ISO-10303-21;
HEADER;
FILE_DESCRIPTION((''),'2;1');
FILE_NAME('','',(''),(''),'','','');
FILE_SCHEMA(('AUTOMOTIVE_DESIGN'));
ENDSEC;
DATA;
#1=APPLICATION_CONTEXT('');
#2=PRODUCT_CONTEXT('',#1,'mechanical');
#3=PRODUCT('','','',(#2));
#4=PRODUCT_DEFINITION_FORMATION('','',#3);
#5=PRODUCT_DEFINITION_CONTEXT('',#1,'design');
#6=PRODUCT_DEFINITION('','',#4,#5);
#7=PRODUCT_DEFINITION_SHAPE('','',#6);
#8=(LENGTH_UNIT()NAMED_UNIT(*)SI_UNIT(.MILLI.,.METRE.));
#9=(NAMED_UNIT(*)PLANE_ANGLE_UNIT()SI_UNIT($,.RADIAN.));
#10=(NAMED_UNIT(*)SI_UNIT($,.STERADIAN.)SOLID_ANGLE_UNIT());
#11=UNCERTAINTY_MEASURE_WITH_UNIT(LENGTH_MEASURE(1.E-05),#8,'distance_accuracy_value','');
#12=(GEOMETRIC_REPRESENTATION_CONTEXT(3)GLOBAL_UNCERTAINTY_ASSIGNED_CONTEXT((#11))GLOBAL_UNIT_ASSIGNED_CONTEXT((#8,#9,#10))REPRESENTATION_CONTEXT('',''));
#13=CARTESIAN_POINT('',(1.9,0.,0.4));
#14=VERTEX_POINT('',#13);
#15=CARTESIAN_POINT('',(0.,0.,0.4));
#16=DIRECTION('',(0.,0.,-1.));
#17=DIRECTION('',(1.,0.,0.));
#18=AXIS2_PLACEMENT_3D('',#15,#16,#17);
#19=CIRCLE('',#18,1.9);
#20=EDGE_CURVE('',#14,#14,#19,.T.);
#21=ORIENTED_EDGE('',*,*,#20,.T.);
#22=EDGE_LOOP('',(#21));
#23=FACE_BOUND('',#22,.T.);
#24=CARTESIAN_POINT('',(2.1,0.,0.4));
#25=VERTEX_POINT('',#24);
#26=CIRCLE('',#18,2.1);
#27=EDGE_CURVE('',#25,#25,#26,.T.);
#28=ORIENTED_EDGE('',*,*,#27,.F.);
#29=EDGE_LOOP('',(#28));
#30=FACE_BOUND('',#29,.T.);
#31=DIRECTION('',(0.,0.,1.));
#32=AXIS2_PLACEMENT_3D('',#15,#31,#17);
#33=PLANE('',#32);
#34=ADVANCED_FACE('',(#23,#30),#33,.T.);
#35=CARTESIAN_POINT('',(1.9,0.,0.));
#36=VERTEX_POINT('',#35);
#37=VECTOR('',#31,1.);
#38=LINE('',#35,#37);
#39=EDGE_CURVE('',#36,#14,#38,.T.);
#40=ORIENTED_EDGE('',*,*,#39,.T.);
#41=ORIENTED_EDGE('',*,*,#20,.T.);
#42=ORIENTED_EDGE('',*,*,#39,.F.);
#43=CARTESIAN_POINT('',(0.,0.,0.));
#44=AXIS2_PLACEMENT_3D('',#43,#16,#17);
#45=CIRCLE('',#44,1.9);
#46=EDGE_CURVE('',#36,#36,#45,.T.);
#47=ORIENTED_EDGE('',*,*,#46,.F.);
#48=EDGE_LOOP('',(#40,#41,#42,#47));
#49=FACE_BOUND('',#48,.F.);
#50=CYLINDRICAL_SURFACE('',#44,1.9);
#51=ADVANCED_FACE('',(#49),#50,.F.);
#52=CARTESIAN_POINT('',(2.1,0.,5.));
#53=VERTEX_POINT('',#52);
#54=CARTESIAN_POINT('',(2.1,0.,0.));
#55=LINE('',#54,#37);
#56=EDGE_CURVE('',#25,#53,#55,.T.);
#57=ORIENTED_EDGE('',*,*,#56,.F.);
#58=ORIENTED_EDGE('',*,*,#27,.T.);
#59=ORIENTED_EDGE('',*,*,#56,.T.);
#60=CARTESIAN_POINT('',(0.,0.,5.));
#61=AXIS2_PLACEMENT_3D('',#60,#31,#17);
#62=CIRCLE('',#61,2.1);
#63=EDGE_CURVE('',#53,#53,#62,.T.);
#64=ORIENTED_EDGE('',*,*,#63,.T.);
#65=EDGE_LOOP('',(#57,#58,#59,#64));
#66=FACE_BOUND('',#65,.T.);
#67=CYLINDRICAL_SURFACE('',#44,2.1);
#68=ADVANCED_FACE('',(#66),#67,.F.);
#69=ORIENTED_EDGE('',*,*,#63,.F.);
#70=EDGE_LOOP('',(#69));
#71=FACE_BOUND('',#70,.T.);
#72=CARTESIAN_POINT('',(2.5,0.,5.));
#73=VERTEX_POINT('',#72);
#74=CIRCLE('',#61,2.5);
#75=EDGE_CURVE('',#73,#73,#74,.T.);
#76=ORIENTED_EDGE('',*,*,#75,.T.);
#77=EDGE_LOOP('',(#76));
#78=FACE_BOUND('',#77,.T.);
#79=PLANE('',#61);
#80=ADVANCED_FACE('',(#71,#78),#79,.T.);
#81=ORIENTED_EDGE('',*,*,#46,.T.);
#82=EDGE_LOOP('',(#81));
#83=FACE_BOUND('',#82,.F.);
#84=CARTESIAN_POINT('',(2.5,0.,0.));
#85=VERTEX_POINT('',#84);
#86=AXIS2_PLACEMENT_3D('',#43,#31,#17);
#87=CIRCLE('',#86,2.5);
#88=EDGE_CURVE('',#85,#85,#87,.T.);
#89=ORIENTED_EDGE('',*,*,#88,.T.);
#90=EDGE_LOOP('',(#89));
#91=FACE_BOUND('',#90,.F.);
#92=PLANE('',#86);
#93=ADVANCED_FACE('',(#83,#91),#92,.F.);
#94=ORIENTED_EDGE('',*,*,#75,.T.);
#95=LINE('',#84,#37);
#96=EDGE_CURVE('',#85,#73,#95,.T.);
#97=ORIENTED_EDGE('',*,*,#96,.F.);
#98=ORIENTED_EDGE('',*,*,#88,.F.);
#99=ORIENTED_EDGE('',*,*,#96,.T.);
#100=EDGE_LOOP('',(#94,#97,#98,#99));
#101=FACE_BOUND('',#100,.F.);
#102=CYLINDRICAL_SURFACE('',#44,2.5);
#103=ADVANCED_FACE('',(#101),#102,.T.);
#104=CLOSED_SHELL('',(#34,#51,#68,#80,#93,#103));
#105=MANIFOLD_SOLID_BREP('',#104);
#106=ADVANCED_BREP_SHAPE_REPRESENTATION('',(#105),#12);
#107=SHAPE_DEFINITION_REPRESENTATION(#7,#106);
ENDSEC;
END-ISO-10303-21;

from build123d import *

# Parameters (mm, degrees)
F0_R     = 2.5
F1_DEPTH = 5
F2_T     = -0.4
F3_R     = 1.9
F4_DEPTH = 25


with BuildPart() as f1:
    # F0 (on Top) → F1 (new body)
    with BuildSketch(Plane.XY):
        Circle(F0_R)
    extrude(amount=F1_DEPTH)

    # F2
    f2_openings = [f1.faces().sort_by_distance(p)[0] for p in [
        (0, 0, 5),
    ]]
    offset(amount=F2_T, openings=f2_openings)

    # F3 (on face) → F4 (cut)
    with BuildSketch(Plane(origin=(0, 0, 0), x_dir=(1, 0, 0), z_dir=(0, 0, -1))):
        Circle(F3_R)
    extrude(amount=-F4_DEPTH, mode=Mode.SUBTRACT)


solid = f1.part
